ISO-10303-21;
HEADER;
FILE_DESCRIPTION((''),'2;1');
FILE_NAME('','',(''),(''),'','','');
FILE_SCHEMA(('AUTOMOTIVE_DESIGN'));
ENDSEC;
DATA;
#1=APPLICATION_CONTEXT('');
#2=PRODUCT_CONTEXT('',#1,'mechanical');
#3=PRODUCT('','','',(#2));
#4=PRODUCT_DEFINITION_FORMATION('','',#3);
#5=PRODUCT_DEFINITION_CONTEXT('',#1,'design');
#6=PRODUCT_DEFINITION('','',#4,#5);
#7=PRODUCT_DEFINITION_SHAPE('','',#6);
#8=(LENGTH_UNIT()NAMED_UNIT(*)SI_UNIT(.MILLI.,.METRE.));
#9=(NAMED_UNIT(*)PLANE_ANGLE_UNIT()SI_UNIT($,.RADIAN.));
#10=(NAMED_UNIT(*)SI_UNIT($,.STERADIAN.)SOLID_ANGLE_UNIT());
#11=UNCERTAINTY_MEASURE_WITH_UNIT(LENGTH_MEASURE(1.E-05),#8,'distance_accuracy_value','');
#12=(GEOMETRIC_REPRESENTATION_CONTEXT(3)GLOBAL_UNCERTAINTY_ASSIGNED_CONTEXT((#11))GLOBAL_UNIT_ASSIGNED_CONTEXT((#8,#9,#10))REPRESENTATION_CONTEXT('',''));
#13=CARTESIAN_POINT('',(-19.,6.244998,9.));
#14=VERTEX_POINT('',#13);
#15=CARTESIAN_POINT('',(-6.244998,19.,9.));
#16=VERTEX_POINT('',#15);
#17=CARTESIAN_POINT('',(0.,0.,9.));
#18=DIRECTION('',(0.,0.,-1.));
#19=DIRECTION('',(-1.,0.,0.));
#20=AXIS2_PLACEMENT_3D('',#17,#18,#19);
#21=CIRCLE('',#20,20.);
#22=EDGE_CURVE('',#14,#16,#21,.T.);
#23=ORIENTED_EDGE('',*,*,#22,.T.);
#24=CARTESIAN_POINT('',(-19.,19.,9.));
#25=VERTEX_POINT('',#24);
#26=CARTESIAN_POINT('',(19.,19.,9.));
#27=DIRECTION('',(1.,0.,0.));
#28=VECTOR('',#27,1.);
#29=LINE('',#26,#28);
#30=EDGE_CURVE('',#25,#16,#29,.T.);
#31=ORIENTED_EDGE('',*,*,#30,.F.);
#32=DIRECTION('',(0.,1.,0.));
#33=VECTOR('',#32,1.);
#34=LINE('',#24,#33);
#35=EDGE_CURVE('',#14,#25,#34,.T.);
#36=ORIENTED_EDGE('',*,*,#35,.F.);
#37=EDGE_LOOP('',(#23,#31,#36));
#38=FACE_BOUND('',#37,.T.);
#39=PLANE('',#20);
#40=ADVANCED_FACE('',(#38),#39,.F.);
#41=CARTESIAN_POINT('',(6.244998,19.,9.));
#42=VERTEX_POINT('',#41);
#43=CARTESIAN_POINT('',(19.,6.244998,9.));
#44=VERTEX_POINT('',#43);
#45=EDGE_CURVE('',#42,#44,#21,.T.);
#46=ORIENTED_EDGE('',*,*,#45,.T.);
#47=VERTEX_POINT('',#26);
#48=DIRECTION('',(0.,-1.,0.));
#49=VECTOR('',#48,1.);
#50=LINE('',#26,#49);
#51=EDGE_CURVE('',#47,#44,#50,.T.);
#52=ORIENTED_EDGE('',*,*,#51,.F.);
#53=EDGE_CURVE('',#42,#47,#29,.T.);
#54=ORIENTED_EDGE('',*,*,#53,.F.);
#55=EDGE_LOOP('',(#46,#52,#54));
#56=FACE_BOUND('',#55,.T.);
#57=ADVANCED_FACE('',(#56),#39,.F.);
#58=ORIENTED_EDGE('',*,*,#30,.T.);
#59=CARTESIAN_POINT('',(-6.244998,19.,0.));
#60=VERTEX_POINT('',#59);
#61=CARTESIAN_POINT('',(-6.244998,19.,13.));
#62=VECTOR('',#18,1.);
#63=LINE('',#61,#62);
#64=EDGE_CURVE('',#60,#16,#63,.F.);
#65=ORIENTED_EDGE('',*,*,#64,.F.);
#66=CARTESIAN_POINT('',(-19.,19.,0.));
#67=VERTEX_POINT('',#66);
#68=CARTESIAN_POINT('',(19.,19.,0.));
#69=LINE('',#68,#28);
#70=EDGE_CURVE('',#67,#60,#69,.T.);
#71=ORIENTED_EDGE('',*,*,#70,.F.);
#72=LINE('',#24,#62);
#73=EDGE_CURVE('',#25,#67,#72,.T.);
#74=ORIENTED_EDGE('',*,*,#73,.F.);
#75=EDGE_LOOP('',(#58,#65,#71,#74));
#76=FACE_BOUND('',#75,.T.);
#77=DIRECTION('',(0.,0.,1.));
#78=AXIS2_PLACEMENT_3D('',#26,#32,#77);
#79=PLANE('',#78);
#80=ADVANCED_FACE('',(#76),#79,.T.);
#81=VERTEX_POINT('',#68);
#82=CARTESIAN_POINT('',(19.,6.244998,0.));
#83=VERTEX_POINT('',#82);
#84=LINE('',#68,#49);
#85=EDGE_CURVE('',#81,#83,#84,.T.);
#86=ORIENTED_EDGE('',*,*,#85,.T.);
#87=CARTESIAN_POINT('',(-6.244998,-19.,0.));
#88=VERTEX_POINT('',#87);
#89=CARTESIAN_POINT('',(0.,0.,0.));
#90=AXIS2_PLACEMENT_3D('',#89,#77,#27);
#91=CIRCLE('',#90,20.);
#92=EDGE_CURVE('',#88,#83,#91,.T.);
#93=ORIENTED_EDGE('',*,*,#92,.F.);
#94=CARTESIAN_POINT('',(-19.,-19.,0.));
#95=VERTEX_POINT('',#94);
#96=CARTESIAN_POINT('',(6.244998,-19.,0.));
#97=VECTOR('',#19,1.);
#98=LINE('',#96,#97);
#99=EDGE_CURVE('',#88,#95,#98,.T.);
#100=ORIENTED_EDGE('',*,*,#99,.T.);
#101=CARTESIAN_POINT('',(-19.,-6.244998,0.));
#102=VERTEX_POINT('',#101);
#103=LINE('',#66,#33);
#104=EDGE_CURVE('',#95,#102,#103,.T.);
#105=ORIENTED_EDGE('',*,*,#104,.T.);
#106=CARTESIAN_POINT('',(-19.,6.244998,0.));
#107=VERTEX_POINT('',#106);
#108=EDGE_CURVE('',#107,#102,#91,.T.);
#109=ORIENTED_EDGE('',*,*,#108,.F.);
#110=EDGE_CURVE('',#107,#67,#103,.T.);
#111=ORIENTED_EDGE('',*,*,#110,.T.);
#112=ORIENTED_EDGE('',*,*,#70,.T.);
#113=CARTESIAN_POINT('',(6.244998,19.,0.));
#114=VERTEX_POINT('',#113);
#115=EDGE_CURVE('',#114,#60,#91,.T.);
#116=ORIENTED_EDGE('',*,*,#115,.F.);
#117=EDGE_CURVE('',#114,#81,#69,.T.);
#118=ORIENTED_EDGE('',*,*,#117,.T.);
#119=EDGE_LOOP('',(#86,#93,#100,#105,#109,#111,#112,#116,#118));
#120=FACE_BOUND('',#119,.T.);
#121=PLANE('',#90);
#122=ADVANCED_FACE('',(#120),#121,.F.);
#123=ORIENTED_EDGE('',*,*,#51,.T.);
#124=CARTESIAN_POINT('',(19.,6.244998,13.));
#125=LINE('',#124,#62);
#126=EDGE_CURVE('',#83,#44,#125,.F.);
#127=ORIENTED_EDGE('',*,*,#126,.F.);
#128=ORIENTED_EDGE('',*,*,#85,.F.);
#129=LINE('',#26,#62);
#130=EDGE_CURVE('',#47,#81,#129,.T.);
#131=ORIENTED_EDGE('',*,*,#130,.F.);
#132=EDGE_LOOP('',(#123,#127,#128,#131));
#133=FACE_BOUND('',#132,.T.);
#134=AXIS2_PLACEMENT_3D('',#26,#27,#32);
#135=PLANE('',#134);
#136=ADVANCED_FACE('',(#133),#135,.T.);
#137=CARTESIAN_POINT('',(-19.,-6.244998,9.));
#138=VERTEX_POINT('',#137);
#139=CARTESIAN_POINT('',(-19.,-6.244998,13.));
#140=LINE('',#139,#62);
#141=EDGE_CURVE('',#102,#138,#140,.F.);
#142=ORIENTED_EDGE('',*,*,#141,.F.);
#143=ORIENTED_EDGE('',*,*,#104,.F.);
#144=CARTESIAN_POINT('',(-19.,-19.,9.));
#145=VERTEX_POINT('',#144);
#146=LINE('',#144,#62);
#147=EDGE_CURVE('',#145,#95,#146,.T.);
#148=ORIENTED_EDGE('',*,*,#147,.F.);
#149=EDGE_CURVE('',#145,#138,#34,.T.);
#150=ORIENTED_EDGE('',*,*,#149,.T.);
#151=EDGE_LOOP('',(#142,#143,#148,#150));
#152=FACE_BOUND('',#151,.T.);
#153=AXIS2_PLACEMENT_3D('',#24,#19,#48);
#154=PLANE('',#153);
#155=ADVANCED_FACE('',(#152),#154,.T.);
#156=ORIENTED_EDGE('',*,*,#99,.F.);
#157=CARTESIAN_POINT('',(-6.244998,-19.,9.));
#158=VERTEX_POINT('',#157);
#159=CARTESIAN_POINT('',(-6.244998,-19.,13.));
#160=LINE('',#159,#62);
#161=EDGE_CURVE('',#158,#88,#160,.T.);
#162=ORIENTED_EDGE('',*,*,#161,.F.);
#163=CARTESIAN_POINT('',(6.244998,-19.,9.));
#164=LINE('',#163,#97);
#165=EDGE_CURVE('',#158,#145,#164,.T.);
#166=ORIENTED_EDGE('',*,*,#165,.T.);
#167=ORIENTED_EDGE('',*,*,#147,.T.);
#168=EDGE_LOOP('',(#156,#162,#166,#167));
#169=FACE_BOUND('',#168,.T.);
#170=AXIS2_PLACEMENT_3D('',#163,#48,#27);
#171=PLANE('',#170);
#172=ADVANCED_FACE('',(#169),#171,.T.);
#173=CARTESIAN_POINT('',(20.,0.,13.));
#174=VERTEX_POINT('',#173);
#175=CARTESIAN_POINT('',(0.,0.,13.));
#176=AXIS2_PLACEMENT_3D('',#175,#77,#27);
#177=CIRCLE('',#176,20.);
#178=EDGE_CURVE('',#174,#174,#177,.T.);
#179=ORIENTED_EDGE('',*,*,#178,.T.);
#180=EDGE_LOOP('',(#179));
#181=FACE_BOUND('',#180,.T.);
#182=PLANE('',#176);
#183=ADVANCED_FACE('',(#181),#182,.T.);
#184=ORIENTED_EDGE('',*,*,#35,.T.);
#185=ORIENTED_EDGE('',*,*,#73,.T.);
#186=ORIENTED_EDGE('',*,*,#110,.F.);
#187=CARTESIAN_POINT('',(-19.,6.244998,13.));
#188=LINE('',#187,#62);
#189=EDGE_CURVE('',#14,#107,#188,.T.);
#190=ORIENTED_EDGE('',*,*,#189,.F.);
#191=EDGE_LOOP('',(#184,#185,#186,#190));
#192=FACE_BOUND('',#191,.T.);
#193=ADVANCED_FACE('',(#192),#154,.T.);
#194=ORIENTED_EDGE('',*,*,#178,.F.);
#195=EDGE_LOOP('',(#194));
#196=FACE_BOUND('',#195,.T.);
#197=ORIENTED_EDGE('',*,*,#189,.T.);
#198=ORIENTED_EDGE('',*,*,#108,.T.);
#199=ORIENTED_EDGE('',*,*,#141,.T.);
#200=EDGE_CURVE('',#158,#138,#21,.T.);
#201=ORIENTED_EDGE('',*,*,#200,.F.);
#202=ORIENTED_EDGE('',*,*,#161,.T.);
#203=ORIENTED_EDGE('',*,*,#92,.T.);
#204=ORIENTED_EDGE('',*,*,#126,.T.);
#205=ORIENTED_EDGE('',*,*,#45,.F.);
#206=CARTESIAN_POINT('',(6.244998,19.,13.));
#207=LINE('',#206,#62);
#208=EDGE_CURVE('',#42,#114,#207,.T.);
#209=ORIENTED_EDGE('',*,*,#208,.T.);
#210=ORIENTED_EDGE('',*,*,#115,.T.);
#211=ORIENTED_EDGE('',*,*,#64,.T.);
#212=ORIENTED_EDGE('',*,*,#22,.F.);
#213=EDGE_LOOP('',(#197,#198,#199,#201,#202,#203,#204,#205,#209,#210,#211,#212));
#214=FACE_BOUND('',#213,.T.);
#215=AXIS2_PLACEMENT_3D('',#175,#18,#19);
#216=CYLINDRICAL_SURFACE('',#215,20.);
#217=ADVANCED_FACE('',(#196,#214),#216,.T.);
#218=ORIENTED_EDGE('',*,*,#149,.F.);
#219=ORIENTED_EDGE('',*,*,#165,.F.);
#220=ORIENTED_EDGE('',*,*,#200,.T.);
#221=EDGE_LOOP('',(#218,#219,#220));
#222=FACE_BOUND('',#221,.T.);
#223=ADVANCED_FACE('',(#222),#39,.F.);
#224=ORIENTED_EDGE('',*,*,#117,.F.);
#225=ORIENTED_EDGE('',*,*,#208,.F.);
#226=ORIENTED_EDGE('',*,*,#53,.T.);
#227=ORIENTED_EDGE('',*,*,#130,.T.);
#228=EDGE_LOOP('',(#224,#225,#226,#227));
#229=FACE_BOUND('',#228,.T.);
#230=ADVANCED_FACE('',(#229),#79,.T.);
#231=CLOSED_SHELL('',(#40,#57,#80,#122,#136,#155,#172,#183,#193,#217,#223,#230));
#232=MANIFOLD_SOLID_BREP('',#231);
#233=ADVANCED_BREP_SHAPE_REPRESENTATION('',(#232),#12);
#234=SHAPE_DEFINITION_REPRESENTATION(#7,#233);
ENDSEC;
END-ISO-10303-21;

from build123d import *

# Parameters (mm, degrees)
SKETCH1_R           = 20
BOSS_EXTRUDE1_DEPTH = 13
BOSS_EXTRUDE2_DEPTH = 9


with BuildPart() as part:
    # Sketch1 → Boss-Extrude1 (new body)
    with BuildSketch(Plane.XY):
        with Locations(Location((0, 0, 0), (0, 0, 180))):
            Circle(SKETCH1_R)
    extrude(amount=BOSS_EXTRUDE1_DEPTH)

    # Sketch2 → Boss-Extrude2 (add)
    with BuildSketch(Plane(origin=(0, 0, 0), x_dir=(-1, 0, 0), z_dir=(0, 0, -1))):
        with BuildLine():
            Line((-19, 19), (19, 19))
            Line((19, 19), (19, -19))
            Line((19, -19), (-6.244997998, -19))
            ThreePointArc((-6.244997998, -19), (-14.142135624, -14.142135624), (-19, -6.244997998))
            Line((-19, -6.244997998), (-19, 19))
        make_face()
    extrude(amount=-BOSS_EXTRUDE2_DEPTH)


solid = part.part
